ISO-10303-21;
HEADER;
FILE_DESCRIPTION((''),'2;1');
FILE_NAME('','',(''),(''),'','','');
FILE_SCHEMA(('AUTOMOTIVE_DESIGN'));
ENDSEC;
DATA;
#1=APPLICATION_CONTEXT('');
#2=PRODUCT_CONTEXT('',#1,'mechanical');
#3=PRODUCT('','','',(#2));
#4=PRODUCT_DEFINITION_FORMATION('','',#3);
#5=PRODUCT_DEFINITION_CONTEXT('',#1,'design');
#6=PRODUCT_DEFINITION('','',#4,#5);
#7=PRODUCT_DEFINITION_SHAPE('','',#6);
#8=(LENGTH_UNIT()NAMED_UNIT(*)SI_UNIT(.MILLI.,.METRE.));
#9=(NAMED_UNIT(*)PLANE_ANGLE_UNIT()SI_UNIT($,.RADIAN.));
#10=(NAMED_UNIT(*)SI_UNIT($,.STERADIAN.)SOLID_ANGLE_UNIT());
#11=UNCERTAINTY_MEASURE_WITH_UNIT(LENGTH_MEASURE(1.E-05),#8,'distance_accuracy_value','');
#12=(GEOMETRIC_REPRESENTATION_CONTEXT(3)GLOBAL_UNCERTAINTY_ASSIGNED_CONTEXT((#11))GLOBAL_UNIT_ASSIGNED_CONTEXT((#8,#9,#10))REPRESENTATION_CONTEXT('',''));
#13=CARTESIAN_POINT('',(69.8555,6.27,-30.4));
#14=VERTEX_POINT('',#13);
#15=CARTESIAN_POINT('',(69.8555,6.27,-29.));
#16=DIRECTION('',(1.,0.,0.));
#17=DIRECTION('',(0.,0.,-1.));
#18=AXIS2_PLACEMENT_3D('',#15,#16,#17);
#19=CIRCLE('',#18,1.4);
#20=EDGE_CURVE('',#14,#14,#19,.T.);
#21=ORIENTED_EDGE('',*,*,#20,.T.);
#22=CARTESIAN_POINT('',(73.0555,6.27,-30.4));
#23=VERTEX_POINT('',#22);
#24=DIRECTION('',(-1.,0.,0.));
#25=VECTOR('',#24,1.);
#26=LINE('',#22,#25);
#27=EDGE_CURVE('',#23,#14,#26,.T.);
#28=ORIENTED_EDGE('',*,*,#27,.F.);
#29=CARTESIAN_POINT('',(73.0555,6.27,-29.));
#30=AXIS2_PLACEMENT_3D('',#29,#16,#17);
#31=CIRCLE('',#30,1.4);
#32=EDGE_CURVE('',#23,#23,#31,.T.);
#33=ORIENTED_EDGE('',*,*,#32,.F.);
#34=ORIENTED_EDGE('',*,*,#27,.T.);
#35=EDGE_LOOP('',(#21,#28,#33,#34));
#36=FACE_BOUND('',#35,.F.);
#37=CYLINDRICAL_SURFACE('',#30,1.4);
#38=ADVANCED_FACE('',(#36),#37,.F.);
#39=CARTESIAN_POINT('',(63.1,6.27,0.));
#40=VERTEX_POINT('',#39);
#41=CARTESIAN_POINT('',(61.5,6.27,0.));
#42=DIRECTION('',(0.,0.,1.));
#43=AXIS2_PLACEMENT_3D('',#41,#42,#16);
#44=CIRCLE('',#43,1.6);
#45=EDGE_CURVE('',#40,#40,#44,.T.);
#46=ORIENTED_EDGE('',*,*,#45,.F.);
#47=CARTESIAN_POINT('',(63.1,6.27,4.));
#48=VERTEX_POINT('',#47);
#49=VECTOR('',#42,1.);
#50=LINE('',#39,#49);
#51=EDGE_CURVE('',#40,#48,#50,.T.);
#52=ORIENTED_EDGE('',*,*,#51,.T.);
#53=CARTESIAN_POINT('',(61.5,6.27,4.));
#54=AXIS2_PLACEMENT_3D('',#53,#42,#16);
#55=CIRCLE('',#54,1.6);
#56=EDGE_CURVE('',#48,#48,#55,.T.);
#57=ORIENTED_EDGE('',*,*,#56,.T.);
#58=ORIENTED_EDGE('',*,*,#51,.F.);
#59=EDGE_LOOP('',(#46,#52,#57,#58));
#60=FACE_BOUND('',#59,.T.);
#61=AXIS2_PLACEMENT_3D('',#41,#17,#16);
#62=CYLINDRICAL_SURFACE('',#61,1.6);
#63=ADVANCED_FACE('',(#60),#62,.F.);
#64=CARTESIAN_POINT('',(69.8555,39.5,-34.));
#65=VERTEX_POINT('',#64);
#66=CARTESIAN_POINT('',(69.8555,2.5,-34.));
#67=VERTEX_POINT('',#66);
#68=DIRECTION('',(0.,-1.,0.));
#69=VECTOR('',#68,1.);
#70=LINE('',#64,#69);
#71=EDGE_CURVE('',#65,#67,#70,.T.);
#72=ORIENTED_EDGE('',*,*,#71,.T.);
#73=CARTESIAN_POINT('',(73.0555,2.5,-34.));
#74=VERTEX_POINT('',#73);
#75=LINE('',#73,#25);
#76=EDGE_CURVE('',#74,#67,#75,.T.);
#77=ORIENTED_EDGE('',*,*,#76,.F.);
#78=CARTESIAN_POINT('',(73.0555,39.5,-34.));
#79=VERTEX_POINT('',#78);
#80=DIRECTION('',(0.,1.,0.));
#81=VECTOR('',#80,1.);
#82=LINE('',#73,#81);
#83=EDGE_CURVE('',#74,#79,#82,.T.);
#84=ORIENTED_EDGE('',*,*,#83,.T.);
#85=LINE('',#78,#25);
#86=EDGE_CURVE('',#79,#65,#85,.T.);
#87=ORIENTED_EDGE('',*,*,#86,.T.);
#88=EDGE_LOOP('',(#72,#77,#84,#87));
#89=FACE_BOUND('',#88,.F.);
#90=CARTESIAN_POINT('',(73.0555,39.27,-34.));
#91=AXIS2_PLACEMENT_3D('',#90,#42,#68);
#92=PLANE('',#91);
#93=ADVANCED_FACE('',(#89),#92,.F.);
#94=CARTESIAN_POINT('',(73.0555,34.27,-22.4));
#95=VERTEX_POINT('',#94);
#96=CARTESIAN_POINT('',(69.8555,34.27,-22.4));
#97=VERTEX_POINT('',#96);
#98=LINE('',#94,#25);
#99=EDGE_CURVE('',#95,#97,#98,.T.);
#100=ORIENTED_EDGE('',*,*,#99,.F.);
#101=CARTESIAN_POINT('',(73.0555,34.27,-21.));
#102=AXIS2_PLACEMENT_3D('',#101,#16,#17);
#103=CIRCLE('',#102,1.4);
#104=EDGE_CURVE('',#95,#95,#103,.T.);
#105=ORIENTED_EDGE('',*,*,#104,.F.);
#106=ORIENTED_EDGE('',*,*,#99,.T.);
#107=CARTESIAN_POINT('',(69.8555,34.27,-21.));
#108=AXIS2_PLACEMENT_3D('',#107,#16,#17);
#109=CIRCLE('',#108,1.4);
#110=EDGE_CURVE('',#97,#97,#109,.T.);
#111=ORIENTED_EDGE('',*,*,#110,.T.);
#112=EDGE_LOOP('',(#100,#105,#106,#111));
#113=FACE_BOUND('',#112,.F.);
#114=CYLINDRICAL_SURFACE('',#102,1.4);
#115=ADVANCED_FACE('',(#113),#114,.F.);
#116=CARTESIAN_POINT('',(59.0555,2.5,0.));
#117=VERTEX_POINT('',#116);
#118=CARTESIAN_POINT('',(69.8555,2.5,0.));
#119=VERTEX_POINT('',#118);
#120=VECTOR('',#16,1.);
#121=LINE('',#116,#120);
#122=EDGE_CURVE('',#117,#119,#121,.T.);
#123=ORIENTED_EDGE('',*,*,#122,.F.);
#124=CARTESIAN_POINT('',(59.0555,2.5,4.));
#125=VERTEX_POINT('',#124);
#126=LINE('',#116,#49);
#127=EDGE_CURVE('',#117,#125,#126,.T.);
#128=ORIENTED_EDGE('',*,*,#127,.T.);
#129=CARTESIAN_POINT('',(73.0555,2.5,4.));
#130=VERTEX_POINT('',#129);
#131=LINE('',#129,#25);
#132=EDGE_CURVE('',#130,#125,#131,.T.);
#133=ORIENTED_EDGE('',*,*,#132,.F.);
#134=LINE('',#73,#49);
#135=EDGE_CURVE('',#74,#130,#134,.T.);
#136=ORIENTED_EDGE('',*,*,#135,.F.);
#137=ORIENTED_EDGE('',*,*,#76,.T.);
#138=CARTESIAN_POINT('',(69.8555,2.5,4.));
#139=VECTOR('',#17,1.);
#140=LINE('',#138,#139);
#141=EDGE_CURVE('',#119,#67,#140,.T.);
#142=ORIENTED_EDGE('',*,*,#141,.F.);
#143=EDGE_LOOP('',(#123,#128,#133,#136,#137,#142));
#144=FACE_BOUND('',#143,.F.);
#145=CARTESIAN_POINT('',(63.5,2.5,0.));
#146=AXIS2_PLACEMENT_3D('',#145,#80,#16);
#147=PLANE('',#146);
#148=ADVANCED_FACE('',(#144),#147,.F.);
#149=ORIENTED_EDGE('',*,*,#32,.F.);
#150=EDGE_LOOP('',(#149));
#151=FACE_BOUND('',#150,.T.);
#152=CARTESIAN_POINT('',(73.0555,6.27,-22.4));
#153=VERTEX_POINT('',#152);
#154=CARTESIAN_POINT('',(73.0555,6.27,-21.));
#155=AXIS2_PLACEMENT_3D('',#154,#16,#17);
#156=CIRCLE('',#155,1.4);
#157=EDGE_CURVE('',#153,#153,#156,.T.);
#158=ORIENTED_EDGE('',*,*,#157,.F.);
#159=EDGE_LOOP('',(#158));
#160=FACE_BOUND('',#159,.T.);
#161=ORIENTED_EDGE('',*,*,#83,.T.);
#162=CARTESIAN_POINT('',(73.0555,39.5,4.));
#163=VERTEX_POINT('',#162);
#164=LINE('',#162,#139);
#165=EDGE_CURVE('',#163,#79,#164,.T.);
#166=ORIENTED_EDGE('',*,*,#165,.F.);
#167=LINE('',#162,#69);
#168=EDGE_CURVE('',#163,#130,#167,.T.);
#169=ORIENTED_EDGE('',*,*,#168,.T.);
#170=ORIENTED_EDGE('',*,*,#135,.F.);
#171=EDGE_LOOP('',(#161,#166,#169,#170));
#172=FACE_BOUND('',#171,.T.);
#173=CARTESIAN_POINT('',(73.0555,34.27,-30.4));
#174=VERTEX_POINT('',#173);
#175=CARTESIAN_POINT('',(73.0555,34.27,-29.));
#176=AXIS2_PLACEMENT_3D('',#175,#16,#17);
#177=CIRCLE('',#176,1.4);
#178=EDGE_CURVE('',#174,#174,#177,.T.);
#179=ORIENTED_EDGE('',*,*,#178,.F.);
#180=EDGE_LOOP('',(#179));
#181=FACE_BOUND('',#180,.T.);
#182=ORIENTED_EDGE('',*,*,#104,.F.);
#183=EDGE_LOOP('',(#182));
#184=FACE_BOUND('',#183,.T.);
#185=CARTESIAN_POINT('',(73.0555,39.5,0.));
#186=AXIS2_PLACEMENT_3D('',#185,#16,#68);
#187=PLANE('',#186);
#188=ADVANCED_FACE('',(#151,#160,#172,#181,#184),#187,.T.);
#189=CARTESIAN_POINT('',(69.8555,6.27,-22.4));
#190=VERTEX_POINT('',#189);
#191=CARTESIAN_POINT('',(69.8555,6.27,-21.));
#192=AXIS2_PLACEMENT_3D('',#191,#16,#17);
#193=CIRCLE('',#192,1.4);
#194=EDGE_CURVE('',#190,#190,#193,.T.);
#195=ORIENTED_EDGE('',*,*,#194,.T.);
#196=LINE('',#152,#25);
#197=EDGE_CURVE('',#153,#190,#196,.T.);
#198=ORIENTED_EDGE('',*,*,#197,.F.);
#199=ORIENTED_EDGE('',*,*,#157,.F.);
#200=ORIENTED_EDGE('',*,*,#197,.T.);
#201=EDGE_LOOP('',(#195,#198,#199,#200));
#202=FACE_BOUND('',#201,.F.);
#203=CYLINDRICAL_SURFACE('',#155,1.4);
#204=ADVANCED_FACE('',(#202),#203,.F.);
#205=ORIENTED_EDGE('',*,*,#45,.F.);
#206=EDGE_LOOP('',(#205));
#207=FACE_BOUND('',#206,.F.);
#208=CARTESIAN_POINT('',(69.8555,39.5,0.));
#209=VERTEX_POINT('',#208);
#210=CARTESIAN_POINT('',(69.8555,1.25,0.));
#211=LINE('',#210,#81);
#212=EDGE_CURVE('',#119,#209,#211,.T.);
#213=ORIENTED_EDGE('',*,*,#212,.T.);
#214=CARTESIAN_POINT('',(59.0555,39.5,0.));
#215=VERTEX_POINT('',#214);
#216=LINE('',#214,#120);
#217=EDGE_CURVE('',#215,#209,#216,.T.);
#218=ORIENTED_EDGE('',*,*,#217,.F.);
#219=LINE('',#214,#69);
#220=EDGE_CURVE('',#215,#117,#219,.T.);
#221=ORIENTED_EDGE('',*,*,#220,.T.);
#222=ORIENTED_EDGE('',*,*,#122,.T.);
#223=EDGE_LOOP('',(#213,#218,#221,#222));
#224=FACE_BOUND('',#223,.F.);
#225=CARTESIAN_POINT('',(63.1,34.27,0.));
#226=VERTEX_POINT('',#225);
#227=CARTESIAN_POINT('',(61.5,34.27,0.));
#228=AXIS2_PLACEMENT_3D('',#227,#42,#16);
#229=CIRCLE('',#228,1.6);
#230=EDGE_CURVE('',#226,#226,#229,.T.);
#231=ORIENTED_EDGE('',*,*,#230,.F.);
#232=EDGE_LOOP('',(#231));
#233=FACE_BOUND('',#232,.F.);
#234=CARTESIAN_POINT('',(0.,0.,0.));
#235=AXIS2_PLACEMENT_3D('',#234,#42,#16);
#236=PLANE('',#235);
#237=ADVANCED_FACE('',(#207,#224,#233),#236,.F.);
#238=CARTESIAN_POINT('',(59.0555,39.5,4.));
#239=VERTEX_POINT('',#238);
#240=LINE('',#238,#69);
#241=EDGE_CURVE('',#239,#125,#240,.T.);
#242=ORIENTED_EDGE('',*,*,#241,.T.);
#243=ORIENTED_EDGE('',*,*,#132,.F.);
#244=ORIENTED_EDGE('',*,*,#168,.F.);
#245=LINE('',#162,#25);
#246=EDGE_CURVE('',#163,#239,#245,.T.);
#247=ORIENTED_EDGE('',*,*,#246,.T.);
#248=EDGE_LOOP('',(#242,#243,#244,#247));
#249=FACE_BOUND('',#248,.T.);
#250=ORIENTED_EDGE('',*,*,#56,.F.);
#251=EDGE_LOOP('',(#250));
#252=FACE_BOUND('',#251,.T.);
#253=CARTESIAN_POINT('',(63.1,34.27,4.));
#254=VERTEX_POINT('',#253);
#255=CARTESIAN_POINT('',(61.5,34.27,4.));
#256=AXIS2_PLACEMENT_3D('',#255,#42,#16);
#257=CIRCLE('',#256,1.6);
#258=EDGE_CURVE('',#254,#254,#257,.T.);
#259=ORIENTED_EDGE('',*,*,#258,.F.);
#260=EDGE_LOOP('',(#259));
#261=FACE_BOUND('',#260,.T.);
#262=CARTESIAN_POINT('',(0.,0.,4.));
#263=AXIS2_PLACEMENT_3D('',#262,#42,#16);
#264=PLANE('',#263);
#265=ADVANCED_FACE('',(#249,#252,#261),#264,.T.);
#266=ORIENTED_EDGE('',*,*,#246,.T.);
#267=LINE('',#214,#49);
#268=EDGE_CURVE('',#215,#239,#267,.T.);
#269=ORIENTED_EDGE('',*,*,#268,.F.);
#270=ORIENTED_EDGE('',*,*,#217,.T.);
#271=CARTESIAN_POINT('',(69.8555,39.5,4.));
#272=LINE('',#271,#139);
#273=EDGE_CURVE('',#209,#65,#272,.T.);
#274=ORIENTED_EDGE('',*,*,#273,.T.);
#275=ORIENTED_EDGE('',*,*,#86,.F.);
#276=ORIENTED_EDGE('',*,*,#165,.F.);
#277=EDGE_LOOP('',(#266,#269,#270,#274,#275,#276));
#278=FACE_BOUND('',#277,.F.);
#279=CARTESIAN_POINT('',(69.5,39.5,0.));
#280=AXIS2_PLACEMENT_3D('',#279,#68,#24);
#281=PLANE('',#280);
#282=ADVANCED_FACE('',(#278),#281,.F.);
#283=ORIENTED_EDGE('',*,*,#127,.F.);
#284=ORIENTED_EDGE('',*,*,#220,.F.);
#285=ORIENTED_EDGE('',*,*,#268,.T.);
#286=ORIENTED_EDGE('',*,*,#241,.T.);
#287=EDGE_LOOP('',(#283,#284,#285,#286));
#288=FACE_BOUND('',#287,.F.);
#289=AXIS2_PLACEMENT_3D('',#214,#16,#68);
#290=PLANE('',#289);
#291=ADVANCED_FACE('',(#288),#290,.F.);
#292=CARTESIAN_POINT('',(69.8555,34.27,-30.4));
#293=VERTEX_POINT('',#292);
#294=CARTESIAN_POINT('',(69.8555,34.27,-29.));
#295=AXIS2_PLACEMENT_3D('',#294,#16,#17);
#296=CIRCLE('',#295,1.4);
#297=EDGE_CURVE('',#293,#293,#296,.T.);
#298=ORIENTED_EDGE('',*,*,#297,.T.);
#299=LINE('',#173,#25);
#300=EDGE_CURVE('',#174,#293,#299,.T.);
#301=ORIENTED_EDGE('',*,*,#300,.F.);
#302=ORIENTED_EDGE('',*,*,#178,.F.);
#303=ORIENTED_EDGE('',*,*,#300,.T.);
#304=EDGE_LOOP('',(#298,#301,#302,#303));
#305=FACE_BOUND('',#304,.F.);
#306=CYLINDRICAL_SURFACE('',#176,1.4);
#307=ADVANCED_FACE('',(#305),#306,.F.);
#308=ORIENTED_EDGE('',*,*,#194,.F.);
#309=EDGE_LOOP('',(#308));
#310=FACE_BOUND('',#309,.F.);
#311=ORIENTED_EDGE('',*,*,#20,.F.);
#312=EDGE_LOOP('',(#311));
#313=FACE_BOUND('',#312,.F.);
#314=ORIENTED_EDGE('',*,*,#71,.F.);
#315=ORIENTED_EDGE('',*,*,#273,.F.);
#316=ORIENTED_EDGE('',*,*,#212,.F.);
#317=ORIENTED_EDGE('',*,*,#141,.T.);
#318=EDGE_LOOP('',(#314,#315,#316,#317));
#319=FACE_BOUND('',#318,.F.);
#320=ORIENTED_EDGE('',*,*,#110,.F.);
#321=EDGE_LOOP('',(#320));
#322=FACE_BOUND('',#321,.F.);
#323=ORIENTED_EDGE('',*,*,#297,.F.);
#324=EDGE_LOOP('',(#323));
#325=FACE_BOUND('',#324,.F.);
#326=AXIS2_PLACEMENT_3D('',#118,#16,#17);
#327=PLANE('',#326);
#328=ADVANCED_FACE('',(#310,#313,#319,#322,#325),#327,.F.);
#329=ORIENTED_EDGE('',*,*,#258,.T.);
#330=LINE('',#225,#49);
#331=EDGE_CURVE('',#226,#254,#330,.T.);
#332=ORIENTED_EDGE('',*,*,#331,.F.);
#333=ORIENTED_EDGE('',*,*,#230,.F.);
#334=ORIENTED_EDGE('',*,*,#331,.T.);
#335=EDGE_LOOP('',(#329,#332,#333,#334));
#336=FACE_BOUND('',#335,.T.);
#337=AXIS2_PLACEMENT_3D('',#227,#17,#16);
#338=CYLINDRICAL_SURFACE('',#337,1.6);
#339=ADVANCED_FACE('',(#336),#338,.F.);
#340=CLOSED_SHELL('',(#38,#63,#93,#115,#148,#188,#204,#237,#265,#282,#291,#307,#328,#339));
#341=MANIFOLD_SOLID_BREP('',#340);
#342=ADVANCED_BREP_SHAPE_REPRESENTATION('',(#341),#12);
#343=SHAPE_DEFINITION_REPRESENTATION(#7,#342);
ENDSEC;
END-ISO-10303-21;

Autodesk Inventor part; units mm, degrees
ref_plane "YZ Plane" through (0, 0, 0) normal (1, 0, 0) x (0, 1, 0)
ref_plane "XZ Plane" through (0, 0, 0) normal (0, 1, 0) x (-1, 0, 0)
ref_plane "XY Plane" through (0, 0, 0) normal (0, 0, 1) x (1, 0, 0)
ref_plane "Work Plane1" through (0, 0, 0) normal (0, 0, 1) x (1, 0, 0)
sketch "Sketch1" plane through (0, 0, 0) normal (0, 0, 1) x (1, 0, 0)
  line L0 (63.5, -8.73) -> (63.5, 39.27) projected
  line L1 (60.6576, -39.5) -> (69.5, -30.6576) projected
  line L2 (69.5, -30.6576) -> (69.5, 39.5) projected
  line L3 (69.5, 39.5) -> (1.55, 39.5) projected
  line L4 (1.55, 39.5) -> (-11.5, 34.5) projected
  line L5 (-11.5, 34.5) -> (-67.5, 34.5) projected
  line L6 (-67.5, 34.5) -> (-69.5, 32.5) projected
  line L7 (-69.5, 32.5) -> (-69.5, -23.5) projected
  line L8 (-69.5, -23.5) -> (-67.5, -25.5) projected
  line L9 (-67.5, -25.5) -> (-11.5, -25.5) projected
  line L10 (-11.5, -25.5) -> (50.5667, -25.5) projected
  line L11 (50.5667, -25.5) -> (50.5667, -39.5) projected
  line L12 (50.5667, -39.5) -> (60.6576, -39.5) projected
  circle A0 centre (61.5, -3.73) radius 1.6 projected
  circle A1 centre (61.5, 6.27) radius 1.6 projected
  circle A2 centre (61.5, 34.27) radius 1.6 projected
  circle A3 centre (45.5, 34.27) radius 1.6 projected
  circle A4 centre (45.5, 6.27) radius 1.6 projected
  circle A5 centre (45.5, -3.73) radius 1.6 projected
  circle A6 centre (24.65, 15.77) radius 1.6 projected
  circle A7 centre (8.35, 15.77) radius 1.6 projected
  circle A8 centre (-14.5, 4.5) radius 1.95 projected
  circle A9 centre (-39.5, 29.5) radius 1.95 projected
  circle A10 centre (-64.5, -20.5) radius 1.95 projected
  circle A11 centre (-14.5, 29.5) radius 1.95 projected
  circle A12 centre (-64.5, 29.5) radius 1.95 projected
  circle A13 centre (-14.5, -20.5) radius 1.95 projected
  circle A14 centre (-39.5, -20.5) radius 1.95 projected
  circle A15 centre (-64.5, 4.5) radius 1.95 projected
  circle A16 centre (-57, 22) radius 4 projected
  circle A17 centre (-22, -13) radius 4 projected
  circle A18 centre (-57, -13) radius 4 projected
  circle A19 centre (-22, 22) radius 4 projected
  line L13 (70.0555, 39.5) -> (59.0555, 39.5)
  line L14 (59.0555, 39.5) -> (59.0555, 2.5)
  line L15 (59.0555, 2.5) -> (70.0555, 2.5)
  line L16 (70.0555, 2.5) -> (70.0555, 39.5)
  line L17 (70.0555, 39.5) -> (73.0555, 39.5)
  line L18 (73.0555, 39.5) -> (73.0555, 2.5)
  line L19 (73.0555, 2.5) -> (70.0555, 2.5)
  line L20 (70.0555, 2.5) -> (70.0555, 39.5)
  point P0 (0, 0)
  dimension "d0" = 11
  dimension "d1" = 37
  dimension "d2" = 3
extrude "Extrusion1" add sketch "Sketch1" along normal blind 4 contours L15 L14 L3 L2 | L2 L13 L16 L15 | L16 L17 L18 L19
sketch "Sketch2" plane through (73.0555, 2.5, 0) normal (1, 0, 0) x (0, 0, -1)
  circle A0 centre (29, 3.77) radius 1.4 projected
  circle A1 centre (37, 3.77) radius 1.4 projected
  circle A2 centre (21, 3.77) radius 1.4 projected
  circle A3 centre (29, 31.77) radius 1.4 projected
  circle A4 centre (37, 31.77) radius 1.4 projected
  circle A5 centre (21, 31.77) radius 1.4 projected
  circle A6 centre (37, -6.23) radius 1.4 projected
  circle A7 centre (29, -6.23) radius 1.4 projected
  circle A8 centre (21, -6.23) radius 1.4 projected
  line L0 (13, 36.77) -> (45, 36.77) projected
  line L1 (13, 36.77) -> (13, -11.23) projected
  line L2 (45, -11.23) -> (13, -11.23) projected
  line L3 (45, 36.77) -> (45, -11.23) projected
  line L4 (0, 37) -> (-4, 37) projected
  line L5 (-4, 37) -> (34, 37)
  line L6 (34, 37) -> (34, 0)
  line L7 (34, 0) -> (-4, 0)
  line L8 (-4, 0) -> (-4, 37)
  point P0 (0, -2.5)
  dimension "d5" = 38
extrude "Extrusion2" add sketch "Sketch2" against normal blind 3.2 contours L1 L7 L8 L4 L5 L6 L0 | L0 L6 L7 L1
properties part number "cellSTORM_Laserrotator_v0"
